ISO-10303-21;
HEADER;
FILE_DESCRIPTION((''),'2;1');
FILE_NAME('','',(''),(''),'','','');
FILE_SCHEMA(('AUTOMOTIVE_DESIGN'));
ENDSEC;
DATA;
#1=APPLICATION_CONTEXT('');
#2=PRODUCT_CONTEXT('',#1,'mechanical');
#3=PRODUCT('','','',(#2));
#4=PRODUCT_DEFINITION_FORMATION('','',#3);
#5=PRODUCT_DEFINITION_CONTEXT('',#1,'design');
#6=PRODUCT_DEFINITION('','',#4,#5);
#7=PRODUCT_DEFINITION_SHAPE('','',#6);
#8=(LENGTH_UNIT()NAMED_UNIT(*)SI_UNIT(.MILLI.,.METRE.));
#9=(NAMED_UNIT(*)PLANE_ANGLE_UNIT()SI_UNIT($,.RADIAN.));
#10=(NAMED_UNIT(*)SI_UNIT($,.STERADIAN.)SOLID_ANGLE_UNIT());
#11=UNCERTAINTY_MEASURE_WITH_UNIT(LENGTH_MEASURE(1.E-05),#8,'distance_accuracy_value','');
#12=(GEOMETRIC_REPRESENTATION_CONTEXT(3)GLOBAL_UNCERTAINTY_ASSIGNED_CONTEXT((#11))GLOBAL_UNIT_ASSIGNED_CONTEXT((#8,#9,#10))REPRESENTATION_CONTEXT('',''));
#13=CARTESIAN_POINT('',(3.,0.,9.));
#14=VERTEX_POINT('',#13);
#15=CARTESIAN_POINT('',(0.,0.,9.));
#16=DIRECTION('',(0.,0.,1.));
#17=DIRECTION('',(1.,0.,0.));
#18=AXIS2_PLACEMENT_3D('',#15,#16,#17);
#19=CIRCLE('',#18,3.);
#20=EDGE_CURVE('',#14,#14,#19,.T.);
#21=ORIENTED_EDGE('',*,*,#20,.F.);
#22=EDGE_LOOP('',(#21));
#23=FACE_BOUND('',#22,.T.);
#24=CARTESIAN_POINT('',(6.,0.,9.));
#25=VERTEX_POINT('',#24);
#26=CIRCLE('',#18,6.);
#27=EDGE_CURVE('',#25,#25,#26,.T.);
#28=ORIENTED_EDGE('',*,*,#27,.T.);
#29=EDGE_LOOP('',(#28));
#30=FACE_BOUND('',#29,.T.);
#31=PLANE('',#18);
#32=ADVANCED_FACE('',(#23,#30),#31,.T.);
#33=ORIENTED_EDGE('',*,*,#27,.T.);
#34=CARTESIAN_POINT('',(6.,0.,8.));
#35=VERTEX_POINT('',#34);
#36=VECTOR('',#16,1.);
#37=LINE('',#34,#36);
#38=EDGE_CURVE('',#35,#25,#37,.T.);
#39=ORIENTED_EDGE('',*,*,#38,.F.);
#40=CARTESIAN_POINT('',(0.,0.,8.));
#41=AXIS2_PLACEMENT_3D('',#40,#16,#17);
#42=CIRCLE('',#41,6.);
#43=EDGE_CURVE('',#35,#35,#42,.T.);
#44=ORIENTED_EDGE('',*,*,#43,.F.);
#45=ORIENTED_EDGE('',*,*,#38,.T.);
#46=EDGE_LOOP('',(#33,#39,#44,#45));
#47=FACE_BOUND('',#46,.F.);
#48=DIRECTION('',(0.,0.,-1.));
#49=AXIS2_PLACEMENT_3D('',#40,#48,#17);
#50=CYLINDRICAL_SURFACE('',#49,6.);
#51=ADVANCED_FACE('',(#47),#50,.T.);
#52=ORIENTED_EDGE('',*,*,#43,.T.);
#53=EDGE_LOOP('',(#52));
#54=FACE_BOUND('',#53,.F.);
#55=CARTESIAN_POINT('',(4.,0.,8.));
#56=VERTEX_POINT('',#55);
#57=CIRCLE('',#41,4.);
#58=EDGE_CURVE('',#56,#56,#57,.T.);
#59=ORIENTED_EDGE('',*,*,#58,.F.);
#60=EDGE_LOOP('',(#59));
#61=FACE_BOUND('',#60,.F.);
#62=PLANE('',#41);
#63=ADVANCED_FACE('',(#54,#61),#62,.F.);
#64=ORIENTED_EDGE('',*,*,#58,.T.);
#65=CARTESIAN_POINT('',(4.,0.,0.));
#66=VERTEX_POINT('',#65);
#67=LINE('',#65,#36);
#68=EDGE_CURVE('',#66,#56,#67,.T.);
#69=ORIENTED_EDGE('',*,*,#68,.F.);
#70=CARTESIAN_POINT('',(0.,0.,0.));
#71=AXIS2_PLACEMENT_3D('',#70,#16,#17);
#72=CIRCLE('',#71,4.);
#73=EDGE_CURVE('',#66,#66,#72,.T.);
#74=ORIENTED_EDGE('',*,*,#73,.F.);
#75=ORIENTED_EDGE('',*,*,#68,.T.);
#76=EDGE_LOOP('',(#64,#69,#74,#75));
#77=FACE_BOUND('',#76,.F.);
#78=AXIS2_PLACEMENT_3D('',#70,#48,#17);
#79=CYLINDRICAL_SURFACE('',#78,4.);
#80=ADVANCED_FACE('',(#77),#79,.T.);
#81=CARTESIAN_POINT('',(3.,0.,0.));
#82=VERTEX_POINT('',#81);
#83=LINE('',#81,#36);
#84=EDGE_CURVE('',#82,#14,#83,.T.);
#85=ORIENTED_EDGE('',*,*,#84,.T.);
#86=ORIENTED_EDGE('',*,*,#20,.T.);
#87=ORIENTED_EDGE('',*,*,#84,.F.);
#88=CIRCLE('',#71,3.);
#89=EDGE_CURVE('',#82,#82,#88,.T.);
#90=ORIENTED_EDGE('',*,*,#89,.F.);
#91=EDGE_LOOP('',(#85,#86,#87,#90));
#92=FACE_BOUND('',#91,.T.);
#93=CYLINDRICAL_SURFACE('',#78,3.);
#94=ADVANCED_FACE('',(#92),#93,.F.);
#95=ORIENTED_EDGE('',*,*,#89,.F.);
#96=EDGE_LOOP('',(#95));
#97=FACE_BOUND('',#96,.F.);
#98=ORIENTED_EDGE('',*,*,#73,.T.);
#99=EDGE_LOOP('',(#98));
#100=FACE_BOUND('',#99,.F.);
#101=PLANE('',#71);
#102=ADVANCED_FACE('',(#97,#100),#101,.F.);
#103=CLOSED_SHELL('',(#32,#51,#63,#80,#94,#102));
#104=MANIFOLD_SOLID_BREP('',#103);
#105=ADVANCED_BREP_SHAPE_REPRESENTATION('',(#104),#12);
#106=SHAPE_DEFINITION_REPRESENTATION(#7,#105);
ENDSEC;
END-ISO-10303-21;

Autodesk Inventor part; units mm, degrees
ref_plane "YZ Plane" through (0, 0, 0) normal (1, 0, 0) x (0, 1, 0)
ref_plane "XZ Plane" through (0, 0, 0) normal (0, 1, 0) x (-1, 0, 0)
ref_plane "XY Plane" through (0, 0, 0) normal (0, 0, 1) x (1, 0, 0)
sketch "スケッチ1" plane through (0, 0, 0) normal (0, 0, 1) x (1, 0, 0)
  circle A0 centre (0, 0) radius 3
  circle A1 centre (0, 0) radius 4
  dimension "d0" = 6
  dimension "d1" = 8
extrude "押し出し1" add sketch "スケッチ1" along normal blind 8
sketch "スケッチ2" plane through (0, 0, 8) normal (0, 0, 1) x (1, 0, 0)
  circle A0 centre (0, 0) radius 6
  circle A1 centre (0, 0) radius 3 projected
  dimension "d4" = 12
extrude "押し出し2" add sketch "スケッチ2" along normal blind 1
properties part number "オイレスフランジ付き06080812,1t" material "アセタール樹脂、黒"
